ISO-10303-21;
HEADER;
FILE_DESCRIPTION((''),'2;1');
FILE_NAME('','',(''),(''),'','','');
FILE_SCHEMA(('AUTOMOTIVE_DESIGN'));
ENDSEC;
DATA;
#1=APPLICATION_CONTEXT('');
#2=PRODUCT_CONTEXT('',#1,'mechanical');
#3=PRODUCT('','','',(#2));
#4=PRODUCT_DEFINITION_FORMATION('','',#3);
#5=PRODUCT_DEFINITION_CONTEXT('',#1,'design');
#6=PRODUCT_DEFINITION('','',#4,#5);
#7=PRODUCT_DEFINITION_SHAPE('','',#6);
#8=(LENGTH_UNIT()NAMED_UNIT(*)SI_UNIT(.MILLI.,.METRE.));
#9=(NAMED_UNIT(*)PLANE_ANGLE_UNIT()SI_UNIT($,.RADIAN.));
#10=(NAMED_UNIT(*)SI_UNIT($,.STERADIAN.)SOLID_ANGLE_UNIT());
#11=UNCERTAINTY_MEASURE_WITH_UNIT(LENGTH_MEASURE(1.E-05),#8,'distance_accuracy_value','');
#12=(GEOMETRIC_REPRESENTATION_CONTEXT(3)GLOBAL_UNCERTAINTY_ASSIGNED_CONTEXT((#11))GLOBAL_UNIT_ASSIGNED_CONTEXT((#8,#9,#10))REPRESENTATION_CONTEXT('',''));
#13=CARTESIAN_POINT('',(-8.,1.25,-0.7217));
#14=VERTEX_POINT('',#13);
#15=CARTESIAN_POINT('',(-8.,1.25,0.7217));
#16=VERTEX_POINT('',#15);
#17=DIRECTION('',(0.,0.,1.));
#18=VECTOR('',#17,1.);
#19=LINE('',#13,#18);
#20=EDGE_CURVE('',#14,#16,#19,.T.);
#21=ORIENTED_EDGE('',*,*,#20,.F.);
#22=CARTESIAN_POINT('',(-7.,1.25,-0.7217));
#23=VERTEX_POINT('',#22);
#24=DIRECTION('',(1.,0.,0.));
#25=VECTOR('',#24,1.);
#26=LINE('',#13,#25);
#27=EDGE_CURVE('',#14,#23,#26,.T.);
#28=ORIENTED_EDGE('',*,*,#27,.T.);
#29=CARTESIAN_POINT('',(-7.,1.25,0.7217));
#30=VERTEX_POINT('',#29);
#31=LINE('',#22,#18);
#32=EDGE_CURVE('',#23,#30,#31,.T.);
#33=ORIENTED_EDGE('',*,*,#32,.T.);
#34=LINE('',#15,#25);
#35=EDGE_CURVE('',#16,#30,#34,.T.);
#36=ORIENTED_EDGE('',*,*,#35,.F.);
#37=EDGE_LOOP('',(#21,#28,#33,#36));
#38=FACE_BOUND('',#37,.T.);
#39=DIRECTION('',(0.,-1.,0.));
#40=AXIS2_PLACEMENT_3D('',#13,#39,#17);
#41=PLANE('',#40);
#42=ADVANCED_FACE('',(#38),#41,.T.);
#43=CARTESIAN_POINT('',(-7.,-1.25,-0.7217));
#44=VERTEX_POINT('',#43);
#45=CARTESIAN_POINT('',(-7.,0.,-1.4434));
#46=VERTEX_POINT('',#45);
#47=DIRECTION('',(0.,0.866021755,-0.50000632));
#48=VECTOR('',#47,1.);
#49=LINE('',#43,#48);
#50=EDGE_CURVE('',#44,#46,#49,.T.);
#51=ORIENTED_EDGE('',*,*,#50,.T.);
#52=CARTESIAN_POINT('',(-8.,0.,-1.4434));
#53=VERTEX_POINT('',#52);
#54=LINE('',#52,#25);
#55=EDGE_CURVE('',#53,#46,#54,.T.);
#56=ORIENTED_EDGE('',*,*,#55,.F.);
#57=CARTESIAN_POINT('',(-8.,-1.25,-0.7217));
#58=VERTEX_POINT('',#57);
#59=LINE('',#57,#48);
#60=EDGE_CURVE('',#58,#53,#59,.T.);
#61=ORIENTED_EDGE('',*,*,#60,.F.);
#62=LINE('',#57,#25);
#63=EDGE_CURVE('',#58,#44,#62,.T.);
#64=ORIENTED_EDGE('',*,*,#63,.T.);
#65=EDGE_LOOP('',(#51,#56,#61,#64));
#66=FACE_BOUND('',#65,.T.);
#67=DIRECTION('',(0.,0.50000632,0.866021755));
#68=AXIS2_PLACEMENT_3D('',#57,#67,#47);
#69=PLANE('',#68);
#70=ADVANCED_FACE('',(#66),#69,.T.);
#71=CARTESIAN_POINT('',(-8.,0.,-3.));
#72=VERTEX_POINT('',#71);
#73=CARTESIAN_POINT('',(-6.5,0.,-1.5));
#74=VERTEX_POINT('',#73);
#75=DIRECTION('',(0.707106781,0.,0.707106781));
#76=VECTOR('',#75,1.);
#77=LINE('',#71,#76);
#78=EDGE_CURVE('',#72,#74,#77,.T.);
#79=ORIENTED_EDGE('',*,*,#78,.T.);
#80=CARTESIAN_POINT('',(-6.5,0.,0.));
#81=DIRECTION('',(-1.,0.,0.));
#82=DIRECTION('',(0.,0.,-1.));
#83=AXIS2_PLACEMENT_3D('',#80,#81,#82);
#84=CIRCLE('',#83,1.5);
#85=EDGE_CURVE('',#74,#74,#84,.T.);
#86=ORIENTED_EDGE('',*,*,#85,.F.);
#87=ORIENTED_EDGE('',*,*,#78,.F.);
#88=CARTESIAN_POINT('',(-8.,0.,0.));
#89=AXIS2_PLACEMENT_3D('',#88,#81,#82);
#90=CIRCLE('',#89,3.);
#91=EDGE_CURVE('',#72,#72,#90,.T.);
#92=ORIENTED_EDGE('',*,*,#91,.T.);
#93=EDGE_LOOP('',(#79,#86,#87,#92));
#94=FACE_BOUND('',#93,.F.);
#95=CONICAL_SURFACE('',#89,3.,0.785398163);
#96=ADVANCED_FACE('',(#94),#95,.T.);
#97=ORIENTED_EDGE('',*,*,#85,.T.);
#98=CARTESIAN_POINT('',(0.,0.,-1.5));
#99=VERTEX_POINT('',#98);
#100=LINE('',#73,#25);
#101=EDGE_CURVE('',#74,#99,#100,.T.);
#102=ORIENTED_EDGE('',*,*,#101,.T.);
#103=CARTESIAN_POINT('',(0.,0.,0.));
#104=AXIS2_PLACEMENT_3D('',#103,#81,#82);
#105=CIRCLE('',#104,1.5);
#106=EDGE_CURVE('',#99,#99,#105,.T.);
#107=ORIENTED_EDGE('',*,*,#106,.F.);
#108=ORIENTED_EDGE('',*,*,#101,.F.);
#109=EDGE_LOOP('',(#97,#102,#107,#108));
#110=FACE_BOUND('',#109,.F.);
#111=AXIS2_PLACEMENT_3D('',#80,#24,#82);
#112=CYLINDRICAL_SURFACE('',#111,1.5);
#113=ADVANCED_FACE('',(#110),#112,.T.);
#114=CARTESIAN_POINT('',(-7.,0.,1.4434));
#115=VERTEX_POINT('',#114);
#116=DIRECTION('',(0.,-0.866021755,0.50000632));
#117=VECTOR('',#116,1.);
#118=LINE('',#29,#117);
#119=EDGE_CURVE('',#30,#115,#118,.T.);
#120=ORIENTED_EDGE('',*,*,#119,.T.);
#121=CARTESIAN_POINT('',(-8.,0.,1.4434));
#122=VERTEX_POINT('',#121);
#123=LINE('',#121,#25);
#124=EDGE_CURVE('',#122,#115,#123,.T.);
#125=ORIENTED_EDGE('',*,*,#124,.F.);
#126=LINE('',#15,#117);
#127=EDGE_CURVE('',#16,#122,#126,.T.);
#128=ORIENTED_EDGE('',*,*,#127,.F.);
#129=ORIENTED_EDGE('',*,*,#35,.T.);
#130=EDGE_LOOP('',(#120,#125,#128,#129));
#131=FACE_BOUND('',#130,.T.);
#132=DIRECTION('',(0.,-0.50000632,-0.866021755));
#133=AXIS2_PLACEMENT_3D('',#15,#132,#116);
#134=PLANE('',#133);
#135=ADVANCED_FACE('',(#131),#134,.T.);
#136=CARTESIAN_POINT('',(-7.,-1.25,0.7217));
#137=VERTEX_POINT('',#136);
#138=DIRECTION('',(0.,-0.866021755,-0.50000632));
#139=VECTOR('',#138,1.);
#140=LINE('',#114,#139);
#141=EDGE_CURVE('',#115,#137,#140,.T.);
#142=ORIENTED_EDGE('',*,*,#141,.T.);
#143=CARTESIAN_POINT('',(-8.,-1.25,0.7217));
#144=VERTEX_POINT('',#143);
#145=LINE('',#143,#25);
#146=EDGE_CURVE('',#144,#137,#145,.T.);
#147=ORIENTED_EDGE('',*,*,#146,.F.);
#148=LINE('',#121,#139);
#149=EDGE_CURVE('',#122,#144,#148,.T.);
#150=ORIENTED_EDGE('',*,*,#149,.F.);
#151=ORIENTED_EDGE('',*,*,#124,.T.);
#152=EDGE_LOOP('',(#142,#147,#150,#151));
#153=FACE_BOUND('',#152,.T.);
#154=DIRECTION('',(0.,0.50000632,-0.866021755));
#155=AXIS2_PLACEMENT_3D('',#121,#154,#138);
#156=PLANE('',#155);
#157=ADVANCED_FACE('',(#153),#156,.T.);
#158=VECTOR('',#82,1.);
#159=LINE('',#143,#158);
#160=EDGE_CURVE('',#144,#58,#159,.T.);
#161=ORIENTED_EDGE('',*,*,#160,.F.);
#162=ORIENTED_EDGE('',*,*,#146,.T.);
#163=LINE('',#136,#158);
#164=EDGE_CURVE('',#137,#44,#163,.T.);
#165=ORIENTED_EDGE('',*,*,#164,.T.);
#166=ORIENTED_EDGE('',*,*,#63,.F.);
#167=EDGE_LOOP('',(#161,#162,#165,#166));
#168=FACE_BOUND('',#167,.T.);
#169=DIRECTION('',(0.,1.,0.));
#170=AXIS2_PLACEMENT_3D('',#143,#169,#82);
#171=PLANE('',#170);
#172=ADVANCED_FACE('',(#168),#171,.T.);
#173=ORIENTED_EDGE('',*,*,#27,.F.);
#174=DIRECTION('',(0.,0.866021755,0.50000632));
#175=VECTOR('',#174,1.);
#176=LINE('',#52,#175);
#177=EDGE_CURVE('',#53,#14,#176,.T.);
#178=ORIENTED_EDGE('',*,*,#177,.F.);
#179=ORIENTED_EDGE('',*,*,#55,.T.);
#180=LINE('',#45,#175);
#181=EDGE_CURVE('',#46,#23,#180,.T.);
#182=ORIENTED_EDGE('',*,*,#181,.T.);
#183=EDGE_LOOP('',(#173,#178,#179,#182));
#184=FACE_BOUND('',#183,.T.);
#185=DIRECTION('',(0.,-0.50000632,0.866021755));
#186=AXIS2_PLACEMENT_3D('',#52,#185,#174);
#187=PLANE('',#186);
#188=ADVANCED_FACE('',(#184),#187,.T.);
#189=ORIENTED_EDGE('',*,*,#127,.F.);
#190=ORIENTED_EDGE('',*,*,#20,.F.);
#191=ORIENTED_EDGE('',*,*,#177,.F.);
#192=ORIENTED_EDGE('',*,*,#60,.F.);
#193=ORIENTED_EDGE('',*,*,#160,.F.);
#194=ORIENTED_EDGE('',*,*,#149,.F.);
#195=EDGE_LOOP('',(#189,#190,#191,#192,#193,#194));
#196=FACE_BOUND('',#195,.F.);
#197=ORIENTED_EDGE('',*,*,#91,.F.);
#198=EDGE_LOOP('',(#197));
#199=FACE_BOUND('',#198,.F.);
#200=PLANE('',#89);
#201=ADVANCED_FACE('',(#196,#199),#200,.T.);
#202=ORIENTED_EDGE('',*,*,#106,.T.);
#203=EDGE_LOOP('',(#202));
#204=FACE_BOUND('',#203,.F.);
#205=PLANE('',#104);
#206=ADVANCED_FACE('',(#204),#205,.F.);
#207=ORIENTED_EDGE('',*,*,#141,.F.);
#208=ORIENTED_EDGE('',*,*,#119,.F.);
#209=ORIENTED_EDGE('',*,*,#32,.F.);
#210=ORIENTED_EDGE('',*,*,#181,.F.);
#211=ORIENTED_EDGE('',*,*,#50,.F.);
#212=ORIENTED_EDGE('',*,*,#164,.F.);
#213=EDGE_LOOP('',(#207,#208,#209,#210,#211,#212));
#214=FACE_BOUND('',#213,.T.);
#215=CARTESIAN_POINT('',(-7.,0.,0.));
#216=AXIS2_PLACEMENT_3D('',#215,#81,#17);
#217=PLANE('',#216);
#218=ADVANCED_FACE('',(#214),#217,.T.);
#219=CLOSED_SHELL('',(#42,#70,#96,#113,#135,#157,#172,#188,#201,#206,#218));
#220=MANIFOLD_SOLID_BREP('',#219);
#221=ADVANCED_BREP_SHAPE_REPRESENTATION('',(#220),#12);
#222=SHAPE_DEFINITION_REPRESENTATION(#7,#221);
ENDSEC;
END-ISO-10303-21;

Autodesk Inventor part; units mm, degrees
ref_plane "YZ Plane" through (0, 0, 0) normal (1, 0, 0) x (0, 1, 0)
ref_plane "XZ Plane" through (0, 0, 0) normal (0, 1, 0) x (-1, 0, 0)
ref_plane "XY Plane" through (0, 0, 0) normal (0, 0, 1) x (1, 0, 0)
sketch "Esquisse1" plane through (0, 0, 0) normal (0, 1, 0) x (-1, 0, 0)
  line L0 (0, 0) -> (8, 0)
  line L1 (8, 0) -> (8, -3)
  line L2 (8, -3) -> (6.5, -1.5)
  line L3 (6.5, -1.5) -> (0, -1.5)
  line L4 (0, -1.5) -> (0, 0)
  line L5 (8, 0) -> (8, 3)
  line L6 (8, 3) -> (6.5, 1.5)
  line L7 (6.5, 1.5) -> (0, 1.5)
  line L8 (0, 1.5) -> (0, 0)
  dimension "d0" = 90
  dimension "d1" = 3
  dimension "d2" = 6
  dimension "d3" = 8
revolve "Révolution1" add sketch "Esquisse1" angle 360 about axis through (0, 0, 0) along (-1, 0, 0) contours L0 L1 L2 L3 L4
sketch "Esquisse2" plane through (-8, 0, 0) normal (-1, 0, 0) x (0, 0, 1)
  line L0 (0.7217, 1.25) -> (1.4434, 0)
  line L1 (1.4434, 0) -> (0.7217, -1.25)
  line L2 (0.7217, -1.25) -> (-0.7217, -1.25)
  line L3 (-0.7217, -1.25) -> (-1.4434, 0)
  line L4 (-1.4434, 0) -> (-0.7217, 1.25)
  line L5 (-0.7217, 1.25) -> (0.7217, 1.25)
  point P0 (0, 0)
  point P1 (0, 0)
  dimension "d5" = 2.5
extrude "Extrusion1" cut sketch "Esquisse2" against normal blind 1
properties part number "fraisee"
